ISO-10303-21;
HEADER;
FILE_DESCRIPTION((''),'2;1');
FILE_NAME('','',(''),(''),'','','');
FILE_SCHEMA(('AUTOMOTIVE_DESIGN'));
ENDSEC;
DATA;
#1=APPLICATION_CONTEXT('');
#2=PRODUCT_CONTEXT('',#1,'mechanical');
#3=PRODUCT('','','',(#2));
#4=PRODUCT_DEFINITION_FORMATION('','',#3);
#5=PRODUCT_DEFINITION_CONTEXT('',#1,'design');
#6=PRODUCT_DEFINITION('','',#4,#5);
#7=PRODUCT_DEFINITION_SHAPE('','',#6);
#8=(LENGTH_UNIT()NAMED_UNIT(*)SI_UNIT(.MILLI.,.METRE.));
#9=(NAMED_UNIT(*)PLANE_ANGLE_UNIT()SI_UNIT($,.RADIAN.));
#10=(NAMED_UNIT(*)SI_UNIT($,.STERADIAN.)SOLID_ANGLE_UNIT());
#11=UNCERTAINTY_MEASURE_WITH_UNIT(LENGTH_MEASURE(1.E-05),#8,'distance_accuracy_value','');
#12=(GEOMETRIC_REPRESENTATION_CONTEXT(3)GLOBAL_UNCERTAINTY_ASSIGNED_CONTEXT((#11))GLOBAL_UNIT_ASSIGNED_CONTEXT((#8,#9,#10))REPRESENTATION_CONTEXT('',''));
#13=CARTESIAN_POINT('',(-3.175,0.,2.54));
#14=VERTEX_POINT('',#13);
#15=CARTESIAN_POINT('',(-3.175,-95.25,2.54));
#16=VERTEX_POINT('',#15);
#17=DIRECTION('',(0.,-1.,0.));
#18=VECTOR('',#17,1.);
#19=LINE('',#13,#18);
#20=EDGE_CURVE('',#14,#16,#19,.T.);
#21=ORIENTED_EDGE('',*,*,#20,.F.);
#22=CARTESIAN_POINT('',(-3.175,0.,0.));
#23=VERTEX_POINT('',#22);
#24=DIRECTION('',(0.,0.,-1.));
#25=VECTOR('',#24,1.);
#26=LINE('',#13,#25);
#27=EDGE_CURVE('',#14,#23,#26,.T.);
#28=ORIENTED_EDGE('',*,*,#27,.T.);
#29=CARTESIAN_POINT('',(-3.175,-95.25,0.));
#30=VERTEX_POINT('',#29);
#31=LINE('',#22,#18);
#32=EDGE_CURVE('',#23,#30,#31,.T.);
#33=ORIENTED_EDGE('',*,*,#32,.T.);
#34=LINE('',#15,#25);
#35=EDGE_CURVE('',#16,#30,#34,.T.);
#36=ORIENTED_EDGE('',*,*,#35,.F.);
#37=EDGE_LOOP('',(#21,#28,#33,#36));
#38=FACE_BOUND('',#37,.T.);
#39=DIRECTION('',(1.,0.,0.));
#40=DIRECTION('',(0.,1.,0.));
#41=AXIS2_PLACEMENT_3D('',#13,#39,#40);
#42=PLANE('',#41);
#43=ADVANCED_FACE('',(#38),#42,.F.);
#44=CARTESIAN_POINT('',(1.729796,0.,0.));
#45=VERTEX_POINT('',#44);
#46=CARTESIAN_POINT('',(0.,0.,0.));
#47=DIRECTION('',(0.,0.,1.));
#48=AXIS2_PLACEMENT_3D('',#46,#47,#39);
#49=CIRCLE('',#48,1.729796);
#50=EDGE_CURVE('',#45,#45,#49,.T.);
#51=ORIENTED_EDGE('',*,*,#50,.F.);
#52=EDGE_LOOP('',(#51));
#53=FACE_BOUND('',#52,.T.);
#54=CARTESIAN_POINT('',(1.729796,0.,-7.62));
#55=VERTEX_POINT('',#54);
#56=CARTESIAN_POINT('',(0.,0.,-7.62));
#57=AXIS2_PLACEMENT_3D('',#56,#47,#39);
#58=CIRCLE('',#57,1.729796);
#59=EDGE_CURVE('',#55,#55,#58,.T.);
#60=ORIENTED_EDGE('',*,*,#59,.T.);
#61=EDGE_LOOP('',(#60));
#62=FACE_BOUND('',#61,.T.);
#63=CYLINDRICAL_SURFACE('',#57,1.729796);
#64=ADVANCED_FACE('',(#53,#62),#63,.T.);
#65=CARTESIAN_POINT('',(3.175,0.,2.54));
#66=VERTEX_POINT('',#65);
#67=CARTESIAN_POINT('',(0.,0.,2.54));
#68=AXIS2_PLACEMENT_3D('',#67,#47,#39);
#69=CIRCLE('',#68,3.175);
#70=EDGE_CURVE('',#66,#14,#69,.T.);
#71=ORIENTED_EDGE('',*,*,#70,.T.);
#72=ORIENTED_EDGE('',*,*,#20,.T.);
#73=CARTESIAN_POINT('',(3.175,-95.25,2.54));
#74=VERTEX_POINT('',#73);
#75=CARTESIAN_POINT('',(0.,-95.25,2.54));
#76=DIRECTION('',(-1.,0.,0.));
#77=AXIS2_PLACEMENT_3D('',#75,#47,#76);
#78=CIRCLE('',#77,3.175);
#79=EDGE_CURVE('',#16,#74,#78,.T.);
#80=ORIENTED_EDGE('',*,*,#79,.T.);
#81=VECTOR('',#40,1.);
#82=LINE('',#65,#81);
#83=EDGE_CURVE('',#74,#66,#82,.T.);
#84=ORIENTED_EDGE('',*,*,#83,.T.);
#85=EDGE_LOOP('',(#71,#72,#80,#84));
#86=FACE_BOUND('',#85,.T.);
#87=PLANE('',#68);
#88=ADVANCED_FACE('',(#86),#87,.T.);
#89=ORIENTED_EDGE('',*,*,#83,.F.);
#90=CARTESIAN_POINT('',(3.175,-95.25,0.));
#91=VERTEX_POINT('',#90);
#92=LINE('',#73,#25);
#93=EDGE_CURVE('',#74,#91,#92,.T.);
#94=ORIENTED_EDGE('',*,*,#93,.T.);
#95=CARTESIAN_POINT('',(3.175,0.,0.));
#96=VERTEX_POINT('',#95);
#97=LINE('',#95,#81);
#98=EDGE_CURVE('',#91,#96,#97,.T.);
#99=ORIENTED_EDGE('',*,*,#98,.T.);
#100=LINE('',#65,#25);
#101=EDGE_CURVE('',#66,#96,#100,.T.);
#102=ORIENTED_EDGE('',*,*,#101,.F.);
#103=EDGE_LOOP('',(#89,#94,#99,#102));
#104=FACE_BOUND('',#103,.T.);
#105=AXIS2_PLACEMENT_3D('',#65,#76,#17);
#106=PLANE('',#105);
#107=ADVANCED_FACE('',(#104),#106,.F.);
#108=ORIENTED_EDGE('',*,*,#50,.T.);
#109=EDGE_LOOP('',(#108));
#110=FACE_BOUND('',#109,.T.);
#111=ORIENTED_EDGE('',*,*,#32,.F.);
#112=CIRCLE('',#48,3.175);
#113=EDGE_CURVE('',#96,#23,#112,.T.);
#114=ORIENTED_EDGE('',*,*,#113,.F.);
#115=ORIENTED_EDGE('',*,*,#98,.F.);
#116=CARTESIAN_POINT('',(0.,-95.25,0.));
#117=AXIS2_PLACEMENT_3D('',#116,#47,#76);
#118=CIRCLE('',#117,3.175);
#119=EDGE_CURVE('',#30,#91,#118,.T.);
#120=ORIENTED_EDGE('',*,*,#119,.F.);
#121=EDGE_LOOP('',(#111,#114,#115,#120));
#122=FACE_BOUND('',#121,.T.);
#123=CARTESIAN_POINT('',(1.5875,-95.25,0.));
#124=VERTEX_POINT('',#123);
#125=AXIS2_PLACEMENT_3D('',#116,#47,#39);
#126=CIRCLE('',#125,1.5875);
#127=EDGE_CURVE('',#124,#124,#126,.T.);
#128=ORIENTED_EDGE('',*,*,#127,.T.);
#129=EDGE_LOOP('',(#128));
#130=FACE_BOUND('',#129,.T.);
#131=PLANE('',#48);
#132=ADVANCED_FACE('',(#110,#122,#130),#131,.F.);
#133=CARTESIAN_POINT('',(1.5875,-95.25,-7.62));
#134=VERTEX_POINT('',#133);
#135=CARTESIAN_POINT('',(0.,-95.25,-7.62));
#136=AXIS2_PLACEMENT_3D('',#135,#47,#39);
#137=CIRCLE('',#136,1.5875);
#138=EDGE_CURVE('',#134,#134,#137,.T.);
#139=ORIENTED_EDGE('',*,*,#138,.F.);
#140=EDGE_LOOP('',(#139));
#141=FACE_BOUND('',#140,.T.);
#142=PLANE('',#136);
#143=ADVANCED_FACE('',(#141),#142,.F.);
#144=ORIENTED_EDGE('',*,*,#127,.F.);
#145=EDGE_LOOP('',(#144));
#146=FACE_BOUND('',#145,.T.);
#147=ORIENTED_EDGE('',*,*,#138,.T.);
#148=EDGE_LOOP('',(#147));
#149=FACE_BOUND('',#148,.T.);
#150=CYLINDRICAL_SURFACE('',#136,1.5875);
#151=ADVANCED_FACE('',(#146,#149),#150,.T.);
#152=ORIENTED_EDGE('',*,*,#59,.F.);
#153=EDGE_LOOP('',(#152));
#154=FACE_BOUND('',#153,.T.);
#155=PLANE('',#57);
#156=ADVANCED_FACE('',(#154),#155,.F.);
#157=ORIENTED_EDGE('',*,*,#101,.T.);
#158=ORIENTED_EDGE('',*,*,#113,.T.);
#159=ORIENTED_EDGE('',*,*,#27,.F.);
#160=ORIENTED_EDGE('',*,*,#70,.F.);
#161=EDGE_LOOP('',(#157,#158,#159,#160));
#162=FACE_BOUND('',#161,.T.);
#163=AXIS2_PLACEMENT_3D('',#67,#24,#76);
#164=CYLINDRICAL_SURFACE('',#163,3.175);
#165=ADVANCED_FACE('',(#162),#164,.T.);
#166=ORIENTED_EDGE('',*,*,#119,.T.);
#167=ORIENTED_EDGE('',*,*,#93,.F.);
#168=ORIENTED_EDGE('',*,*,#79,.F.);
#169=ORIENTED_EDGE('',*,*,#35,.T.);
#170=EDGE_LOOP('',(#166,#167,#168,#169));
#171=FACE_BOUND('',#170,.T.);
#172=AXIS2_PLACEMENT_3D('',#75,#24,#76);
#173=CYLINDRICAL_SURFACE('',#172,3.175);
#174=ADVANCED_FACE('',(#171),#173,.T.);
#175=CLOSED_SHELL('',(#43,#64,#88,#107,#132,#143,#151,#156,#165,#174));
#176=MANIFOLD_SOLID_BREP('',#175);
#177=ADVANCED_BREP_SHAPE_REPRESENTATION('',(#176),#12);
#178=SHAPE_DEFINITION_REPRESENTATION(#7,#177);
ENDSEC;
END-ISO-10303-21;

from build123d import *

# Parameters (mm, degrees)
SKETCH1_R           = 1.5875
BOSS_EXTRUDE1_DEPTH = 2.54
BOSS_EXTRUDE2_START = -10.16
SKETCH2_R           = 1.72979554
SKETCH2_R_2         = 1.5875
BOSS_EXTRUDE2_DEPTH = 10.16


with BuildPart() as part:
    # Sketch1 → Boss-Extrude1 (new body)
    with BuildSketch(Plane.XY):
        with BuildLine():
            Line((-3.175, 0), (-3.175, -95.25))
            ThreePointArc((-3.175, -95.25), (0, -98.425), (3.175, -95.25))
            Line((3.175, -95.25), (3.175, 0))
            ThreePointArc((3.175, 0), (0, 3.175), (-3.175, 0))
        make_face()
        Circle(SKETCH1_R, mode=Mode.SUBTRACT)
        with Locations((0, -95.25)):
            Circle(SKETCH1_R, mode=Mode.SUBTRACT)
    extrude(amount=BOSS_EXTRUDE1_DEPTH)

    # Sketch2 → Boss-Extrude2 (add)
    with BuildSketch(Plane.XY.offset(2.54).offset(BOSS_EXTRUDE2_START)):
        Circle(SKETCH2_R)
        with Locations((0, -95.25)):
            Circle(SKETCH2_R_2)
    extrude(amount=BOSS_EXTRUDE2_DEPTH)


solid = part.part
